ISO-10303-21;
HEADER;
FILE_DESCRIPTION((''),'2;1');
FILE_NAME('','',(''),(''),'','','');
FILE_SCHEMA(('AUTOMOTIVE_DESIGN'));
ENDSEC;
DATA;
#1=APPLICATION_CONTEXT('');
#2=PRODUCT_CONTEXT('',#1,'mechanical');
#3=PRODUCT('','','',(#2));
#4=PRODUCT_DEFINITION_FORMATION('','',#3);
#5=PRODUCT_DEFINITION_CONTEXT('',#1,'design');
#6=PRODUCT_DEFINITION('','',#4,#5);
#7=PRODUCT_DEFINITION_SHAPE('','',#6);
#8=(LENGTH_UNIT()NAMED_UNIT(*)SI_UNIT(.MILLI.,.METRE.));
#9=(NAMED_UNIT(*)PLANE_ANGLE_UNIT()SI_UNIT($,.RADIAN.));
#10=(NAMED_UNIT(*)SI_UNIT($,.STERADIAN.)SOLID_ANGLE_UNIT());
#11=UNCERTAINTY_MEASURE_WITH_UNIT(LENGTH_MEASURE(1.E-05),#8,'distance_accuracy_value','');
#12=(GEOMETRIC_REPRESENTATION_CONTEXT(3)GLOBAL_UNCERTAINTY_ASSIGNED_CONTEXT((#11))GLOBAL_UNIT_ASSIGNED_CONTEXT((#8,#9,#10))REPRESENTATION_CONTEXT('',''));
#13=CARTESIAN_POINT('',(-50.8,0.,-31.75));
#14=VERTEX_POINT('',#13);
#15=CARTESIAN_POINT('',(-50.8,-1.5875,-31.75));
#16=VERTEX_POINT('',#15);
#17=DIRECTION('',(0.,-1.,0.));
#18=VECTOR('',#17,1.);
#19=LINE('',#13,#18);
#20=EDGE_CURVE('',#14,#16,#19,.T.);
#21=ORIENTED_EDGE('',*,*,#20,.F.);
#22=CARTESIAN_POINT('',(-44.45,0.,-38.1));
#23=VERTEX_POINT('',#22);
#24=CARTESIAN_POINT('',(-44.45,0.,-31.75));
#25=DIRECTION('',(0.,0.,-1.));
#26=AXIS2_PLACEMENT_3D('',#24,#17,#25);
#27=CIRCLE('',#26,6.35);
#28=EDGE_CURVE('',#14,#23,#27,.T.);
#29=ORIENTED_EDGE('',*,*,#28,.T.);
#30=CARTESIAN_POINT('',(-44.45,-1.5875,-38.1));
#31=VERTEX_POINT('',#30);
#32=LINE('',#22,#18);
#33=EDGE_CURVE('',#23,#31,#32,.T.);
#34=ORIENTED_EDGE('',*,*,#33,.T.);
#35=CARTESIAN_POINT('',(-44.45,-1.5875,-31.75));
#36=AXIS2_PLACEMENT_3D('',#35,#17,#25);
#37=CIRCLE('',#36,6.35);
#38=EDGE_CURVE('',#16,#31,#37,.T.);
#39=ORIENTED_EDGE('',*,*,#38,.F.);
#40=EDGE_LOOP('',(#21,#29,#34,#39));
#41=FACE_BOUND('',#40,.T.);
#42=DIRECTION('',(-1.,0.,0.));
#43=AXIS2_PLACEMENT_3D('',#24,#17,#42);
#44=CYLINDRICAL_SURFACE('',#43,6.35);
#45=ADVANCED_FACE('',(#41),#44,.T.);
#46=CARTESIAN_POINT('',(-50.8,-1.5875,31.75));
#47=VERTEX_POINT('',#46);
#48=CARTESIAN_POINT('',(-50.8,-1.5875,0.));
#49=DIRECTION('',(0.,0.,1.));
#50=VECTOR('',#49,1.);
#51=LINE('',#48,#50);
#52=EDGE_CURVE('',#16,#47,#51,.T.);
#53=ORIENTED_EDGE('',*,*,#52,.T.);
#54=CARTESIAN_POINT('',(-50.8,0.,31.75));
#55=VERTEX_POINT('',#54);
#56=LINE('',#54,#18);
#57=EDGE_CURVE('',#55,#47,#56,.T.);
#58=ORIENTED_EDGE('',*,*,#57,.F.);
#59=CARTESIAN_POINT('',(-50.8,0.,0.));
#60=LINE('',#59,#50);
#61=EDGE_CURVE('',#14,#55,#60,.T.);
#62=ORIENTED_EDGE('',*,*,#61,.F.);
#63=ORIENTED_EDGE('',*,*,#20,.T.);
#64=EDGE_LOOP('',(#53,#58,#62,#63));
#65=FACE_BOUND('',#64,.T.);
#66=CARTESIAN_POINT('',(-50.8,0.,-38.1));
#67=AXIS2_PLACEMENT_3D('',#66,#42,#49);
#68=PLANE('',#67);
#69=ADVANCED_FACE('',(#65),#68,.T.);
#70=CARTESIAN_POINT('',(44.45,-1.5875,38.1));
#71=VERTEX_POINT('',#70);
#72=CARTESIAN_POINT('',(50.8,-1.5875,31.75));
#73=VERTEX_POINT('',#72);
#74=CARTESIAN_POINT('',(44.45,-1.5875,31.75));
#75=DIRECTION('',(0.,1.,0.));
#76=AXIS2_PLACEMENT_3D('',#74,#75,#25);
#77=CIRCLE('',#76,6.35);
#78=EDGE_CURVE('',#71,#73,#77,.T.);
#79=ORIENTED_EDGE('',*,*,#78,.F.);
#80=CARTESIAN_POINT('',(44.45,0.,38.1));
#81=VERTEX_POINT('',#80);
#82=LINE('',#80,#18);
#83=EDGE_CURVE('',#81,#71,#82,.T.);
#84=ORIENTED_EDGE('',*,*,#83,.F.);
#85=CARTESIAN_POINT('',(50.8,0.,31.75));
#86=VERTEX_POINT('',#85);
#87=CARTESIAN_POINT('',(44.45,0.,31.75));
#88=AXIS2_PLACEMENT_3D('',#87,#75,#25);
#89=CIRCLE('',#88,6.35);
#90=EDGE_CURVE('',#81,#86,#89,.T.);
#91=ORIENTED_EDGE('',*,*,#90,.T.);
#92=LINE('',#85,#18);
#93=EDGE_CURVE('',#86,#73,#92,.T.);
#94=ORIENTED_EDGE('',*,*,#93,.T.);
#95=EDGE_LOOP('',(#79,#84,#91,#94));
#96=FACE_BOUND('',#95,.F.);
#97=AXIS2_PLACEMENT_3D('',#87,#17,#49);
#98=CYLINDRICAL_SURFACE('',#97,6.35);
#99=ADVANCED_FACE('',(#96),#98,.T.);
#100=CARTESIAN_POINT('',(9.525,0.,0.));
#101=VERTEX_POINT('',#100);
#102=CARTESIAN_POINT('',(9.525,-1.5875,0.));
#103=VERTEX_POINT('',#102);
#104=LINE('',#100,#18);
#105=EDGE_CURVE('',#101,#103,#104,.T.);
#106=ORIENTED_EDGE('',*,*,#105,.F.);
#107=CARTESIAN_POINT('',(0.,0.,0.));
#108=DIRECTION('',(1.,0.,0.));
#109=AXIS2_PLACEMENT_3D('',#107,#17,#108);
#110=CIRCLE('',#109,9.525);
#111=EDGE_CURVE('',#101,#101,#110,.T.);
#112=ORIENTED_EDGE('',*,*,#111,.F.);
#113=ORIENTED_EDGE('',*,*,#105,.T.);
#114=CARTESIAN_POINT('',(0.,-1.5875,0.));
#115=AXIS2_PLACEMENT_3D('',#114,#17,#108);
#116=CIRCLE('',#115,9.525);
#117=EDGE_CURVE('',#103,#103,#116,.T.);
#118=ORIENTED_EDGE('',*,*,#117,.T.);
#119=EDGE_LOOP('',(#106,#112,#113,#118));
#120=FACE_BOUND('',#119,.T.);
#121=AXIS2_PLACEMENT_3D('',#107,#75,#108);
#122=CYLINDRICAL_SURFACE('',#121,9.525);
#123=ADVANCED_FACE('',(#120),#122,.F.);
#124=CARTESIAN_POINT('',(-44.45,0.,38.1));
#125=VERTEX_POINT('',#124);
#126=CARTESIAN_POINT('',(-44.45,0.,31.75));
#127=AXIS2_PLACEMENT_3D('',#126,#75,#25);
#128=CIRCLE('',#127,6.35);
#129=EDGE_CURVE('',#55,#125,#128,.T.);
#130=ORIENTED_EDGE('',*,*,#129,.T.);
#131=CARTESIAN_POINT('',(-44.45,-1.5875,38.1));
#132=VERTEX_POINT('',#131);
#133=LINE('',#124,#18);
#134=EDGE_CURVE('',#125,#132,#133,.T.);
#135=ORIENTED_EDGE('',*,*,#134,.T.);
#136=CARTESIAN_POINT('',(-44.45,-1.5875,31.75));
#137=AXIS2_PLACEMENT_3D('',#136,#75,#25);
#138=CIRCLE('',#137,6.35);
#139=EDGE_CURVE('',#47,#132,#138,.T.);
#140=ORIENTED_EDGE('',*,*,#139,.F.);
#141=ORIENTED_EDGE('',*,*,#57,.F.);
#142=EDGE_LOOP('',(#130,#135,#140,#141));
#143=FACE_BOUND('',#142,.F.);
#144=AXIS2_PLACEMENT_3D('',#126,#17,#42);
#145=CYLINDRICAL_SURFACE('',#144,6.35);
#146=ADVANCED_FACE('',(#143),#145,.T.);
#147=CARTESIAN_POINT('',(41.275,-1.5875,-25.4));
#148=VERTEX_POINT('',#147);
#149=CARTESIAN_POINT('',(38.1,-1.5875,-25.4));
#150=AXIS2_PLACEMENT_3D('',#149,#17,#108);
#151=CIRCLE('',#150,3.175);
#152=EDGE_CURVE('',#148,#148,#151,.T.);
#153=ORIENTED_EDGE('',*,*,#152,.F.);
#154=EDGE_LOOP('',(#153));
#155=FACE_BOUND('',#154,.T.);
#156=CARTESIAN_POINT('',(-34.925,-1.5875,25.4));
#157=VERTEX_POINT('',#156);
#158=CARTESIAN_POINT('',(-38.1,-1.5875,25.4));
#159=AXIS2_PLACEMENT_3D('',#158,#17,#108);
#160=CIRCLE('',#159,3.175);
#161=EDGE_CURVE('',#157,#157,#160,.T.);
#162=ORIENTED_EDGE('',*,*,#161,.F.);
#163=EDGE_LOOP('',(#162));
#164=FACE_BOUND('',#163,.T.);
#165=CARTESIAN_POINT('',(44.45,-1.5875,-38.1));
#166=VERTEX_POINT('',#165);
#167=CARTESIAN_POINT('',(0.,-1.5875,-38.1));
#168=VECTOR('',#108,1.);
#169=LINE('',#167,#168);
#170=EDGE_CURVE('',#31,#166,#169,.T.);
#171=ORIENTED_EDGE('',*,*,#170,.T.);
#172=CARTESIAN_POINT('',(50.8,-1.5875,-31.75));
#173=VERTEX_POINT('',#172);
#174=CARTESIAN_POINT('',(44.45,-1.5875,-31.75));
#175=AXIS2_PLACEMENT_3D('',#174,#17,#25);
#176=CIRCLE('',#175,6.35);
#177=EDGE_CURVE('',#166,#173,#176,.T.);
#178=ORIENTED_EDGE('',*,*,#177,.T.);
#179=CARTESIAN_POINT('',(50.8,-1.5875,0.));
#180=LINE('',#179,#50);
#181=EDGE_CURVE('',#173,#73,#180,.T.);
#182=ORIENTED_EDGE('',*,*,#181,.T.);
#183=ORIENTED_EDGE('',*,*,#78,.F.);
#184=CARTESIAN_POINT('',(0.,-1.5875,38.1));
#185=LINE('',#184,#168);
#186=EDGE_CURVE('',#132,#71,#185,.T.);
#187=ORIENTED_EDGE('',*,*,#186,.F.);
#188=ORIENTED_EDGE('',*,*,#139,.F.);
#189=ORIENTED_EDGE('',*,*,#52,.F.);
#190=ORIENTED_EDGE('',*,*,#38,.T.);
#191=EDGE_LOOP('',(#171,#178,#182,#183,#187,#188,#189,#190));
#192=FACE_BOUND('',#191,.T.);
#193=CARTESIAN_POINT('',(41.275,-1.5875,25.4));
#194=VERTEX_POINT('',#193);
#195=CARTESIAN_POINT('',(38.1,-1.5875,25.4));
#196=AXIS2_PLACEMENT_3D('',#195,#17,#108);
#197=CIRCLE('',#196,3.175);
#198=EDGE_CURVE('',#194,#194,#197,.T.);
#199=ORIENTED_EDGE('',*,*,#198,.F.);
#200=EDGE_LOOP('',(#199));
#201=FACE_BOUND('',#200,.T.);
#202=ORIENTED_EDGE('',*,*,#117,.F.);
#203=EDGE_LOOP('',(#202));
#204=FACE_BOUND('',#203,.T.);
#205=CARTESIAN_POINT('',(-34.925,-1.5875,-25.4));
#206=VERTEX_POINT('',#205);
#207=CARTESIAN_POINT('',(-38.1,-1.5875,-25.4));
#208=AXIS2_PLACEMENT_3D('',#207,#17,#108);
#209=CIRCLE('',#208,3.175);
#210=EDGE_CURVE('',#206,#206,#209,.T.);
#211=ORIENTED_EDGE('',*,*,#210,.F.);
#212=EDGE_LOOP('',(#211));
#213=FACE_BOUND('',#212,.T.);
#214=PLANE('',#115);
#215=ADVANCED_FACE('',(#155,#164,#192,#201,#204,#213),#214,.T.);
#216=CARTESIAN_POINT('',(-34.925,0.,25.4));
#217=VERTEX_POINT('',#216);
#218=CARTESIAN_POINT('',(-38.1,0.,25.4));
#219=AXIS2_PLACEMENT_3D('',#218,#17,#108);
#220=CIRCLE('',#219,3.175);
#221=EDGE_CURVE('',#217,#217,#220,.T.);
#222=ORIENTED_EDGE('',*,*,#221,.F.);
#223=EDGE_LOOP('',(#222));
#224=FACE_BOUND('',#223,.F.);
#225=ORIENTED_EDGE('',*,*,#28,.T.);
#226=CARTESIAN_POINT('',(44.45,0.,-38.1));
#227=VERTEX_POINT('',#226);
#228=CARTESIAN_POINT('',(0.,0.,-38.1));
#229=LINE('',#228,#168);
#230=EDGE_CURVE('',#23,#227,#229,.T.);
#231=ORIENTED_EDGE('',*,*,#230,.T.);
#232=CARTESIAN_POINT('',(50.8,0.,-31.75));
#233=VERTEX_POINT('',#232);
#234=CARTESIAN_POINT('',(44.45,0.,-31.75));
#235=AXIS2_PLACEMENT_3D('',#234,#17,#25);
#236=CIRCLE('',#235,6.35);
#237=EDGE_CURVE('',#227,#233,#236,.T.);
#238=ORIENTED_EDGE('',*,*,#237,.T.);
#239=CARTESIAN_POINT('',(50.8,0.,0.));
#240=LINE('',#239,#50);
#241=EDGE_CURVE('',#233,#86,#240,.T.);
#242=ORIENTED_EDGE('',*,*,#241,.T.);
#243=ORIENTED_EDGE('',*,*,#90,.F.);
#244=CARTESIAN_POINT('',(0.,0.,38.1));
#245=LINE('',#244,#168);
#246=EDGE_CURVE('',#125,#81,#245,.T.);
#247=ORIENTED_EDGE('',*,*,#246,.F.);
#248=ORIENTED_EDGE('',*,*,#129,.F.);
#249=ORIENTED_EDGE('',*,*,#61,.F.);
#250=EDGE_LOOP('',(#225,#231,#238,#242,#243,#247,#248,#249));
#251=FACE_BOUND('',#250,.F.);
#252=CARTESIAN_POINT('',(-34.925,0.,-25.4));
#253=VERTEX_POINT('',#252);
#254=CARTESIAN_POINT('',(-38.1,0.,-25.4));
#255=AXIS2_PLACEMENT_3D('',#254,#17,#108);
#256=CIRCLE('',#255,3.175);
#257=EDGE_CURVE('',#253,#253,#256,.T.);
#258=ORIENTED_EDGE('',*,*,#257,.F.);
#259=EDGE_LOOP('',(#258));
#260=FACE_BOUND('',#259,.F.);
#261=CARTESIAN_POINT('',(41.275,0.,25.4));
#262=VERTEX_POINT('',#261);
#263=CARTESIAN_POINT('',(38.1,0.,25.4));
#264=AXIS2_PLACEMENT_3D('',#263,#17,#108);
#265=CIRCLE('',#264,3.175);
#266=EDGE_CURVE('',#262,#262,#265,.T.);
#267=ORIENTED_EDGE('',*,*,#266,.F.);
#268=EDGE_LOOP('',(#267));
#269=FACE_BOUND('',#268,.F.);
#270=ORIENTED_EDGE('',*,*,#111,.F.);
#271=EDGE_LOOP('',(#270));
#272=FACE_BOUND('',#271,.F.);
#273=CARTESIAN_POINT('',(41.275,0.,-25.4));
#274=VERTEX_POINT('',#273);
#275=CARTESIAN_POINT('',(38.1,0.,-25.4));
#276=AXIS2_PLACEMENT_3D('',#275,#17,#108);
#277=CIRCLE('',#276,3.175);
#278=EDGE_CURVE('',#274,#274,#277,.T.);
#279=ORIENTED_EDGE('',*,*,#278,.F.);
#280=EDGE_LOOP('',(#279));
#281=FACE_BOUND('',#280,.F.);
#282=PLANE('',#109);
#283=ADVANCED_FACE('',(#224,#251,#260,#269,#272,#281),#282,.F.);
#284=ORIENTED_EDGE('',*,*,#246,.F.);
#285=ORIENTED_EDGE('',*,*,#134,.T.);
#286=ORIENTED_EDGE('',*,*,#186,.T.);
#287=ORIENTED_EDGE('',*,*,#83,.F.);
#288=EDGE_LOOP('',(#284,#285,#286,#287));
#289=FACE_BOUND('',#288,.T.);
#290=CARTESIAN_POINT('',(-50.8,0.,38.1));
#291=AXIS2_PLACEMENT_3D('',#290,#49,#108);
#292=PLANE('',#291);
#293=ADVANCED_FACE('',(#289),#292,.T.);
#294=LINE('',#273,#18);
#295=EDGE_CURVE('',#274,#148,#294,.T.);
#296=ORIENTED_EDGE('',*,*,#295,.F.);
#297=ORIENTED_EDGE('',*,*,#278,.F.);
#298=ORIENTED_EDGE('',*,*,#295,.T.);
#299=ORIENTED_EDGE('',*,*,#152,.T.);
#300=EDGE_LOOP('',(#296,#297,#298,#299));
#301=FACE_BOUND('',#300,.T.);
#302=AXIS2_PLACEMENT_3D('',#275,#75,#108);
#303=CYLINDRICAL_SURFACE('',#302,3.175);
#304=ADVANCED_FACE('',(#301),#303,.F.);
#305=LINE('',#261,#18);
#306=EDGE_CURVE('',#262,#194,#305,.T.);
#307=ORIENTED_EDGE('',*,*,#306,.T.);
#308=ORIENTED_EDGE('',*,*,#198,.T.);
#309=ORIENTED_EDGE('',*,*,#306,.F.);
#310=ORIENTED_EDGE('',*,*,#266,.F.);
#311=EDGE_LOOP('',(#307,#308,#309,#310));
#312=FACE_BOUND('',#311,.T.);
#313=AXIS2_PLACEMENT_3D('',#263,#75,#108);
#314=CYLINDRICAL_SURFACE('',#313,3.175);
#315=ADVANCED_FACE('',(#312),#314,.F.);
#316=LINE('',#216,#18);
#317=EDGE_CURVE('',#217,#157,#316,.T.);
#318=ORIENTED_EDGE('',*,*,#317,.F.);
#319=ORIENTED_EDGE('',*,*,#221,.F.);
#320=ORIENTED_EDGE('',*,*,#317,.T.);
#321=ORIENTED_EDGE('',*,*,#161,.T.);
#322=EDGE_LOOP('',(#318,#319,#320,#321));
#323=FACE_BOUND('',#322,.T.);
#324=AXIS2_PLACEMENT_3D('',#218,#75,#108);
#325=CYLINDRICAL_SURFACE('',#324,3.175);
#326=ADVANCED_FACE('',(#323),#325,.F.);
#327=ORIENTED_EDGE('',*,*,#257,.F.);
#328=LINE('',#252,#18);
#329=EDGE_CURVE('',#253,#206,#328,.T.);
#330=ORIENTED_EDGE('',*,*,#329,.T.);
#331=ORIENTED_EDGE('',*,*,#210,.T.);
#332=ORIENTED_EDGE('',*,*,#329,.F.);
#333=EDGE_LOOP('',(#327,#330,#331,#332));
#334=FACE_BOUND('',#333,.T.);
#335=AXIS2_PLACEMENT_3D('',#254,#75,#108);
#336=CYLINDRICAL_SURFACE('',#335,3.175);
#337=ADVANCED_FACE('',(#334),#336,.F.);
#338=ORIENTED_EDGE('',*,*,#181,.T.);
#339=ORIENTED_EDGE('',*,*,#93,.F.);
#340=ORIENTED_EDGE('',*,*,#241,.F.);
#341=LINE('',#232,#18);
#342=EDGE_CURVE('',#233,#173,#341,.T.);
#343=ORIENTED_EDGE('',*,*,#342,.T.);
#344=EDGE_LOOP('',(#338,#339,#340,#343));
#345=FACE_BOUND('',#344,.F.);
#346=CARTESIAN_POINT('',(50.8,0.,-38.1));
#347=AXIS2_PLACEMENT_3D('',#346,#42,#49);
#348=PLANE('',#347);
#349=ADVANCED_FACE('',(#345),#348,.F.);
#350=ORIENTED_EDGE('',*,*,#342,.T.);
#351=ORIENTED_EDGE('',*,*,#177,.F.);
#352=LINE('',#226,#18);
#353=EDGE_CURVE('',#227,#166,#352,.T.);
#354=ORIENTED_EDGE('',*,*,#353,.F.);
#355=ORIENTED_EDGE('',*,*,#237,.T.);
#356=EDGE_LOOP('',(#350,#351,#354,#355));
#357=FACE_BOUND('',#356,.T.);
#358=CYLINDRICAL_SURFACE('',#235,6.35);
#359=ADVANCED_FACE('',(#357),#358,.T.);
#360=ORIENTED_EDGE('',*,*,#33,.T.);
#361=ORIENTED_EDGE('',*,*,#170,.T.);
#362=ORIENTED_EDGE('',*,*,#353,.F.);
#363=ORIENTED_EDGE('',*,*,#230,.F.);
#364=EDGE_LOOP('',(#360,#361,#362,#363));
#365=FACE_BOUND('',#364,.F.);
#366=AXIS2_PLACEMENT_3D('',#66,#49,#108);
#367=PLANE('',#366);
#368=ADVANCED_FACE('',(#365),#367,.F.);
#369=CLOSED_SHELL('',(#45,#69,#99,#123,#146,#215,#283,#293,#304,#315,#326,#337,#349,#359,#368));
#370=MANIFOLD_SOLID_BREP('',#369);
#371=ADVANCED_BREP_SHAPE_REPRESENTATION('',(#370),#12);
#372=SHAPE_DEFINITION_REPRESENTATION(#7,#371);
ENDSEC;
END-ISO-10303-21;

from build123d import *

# Parameters (mm, degrees)
F0_W     = 101.6
F0_H     = 76.2
F0_R     = 3.175
F0_R_2   = 9.525
F1_DEPTH = 1.5875
F2_R     = 6.35


with BuildPart() as f1:
    # F0 (on Front) → F1 (new body)
    with BuildSketch(Plane.XZ):
        Rectangle(F0_W, F0_H)
        with Locations((-38.1, -25.4)):
            Circle(F0_R, mode=Mode.SUBTRACT)
        with Locations((38.1, -25.4)):
            Circle(F0_R, mode=Mode.SUBTRACT)
        Circle(F0_R_2, mode=Mode.SUBTRACT)
        with Locations((-38.1, 25.4)):
            Circle(F0_R, mode=Mode.SUBTRACT)
        with Locations((38.1, 25.4)):
            Circle(F0_R, mode=Mode.SUBTRACT)
    extrude(amount=F1_DEPTH)

    # F2
    f2_edges = [f1.edges().sort_by_distance(p)[0] for p in [
        (50.8, -0.79375, 38.1),
        (50.8, -0.79375, -38.1),
        (-50.8, -0.79375, -38.1),
        (-50.8, -0.79375, 38.1),
    ]]
    fillet(f2_edges, radius=F2_R)


solid = f1.part
